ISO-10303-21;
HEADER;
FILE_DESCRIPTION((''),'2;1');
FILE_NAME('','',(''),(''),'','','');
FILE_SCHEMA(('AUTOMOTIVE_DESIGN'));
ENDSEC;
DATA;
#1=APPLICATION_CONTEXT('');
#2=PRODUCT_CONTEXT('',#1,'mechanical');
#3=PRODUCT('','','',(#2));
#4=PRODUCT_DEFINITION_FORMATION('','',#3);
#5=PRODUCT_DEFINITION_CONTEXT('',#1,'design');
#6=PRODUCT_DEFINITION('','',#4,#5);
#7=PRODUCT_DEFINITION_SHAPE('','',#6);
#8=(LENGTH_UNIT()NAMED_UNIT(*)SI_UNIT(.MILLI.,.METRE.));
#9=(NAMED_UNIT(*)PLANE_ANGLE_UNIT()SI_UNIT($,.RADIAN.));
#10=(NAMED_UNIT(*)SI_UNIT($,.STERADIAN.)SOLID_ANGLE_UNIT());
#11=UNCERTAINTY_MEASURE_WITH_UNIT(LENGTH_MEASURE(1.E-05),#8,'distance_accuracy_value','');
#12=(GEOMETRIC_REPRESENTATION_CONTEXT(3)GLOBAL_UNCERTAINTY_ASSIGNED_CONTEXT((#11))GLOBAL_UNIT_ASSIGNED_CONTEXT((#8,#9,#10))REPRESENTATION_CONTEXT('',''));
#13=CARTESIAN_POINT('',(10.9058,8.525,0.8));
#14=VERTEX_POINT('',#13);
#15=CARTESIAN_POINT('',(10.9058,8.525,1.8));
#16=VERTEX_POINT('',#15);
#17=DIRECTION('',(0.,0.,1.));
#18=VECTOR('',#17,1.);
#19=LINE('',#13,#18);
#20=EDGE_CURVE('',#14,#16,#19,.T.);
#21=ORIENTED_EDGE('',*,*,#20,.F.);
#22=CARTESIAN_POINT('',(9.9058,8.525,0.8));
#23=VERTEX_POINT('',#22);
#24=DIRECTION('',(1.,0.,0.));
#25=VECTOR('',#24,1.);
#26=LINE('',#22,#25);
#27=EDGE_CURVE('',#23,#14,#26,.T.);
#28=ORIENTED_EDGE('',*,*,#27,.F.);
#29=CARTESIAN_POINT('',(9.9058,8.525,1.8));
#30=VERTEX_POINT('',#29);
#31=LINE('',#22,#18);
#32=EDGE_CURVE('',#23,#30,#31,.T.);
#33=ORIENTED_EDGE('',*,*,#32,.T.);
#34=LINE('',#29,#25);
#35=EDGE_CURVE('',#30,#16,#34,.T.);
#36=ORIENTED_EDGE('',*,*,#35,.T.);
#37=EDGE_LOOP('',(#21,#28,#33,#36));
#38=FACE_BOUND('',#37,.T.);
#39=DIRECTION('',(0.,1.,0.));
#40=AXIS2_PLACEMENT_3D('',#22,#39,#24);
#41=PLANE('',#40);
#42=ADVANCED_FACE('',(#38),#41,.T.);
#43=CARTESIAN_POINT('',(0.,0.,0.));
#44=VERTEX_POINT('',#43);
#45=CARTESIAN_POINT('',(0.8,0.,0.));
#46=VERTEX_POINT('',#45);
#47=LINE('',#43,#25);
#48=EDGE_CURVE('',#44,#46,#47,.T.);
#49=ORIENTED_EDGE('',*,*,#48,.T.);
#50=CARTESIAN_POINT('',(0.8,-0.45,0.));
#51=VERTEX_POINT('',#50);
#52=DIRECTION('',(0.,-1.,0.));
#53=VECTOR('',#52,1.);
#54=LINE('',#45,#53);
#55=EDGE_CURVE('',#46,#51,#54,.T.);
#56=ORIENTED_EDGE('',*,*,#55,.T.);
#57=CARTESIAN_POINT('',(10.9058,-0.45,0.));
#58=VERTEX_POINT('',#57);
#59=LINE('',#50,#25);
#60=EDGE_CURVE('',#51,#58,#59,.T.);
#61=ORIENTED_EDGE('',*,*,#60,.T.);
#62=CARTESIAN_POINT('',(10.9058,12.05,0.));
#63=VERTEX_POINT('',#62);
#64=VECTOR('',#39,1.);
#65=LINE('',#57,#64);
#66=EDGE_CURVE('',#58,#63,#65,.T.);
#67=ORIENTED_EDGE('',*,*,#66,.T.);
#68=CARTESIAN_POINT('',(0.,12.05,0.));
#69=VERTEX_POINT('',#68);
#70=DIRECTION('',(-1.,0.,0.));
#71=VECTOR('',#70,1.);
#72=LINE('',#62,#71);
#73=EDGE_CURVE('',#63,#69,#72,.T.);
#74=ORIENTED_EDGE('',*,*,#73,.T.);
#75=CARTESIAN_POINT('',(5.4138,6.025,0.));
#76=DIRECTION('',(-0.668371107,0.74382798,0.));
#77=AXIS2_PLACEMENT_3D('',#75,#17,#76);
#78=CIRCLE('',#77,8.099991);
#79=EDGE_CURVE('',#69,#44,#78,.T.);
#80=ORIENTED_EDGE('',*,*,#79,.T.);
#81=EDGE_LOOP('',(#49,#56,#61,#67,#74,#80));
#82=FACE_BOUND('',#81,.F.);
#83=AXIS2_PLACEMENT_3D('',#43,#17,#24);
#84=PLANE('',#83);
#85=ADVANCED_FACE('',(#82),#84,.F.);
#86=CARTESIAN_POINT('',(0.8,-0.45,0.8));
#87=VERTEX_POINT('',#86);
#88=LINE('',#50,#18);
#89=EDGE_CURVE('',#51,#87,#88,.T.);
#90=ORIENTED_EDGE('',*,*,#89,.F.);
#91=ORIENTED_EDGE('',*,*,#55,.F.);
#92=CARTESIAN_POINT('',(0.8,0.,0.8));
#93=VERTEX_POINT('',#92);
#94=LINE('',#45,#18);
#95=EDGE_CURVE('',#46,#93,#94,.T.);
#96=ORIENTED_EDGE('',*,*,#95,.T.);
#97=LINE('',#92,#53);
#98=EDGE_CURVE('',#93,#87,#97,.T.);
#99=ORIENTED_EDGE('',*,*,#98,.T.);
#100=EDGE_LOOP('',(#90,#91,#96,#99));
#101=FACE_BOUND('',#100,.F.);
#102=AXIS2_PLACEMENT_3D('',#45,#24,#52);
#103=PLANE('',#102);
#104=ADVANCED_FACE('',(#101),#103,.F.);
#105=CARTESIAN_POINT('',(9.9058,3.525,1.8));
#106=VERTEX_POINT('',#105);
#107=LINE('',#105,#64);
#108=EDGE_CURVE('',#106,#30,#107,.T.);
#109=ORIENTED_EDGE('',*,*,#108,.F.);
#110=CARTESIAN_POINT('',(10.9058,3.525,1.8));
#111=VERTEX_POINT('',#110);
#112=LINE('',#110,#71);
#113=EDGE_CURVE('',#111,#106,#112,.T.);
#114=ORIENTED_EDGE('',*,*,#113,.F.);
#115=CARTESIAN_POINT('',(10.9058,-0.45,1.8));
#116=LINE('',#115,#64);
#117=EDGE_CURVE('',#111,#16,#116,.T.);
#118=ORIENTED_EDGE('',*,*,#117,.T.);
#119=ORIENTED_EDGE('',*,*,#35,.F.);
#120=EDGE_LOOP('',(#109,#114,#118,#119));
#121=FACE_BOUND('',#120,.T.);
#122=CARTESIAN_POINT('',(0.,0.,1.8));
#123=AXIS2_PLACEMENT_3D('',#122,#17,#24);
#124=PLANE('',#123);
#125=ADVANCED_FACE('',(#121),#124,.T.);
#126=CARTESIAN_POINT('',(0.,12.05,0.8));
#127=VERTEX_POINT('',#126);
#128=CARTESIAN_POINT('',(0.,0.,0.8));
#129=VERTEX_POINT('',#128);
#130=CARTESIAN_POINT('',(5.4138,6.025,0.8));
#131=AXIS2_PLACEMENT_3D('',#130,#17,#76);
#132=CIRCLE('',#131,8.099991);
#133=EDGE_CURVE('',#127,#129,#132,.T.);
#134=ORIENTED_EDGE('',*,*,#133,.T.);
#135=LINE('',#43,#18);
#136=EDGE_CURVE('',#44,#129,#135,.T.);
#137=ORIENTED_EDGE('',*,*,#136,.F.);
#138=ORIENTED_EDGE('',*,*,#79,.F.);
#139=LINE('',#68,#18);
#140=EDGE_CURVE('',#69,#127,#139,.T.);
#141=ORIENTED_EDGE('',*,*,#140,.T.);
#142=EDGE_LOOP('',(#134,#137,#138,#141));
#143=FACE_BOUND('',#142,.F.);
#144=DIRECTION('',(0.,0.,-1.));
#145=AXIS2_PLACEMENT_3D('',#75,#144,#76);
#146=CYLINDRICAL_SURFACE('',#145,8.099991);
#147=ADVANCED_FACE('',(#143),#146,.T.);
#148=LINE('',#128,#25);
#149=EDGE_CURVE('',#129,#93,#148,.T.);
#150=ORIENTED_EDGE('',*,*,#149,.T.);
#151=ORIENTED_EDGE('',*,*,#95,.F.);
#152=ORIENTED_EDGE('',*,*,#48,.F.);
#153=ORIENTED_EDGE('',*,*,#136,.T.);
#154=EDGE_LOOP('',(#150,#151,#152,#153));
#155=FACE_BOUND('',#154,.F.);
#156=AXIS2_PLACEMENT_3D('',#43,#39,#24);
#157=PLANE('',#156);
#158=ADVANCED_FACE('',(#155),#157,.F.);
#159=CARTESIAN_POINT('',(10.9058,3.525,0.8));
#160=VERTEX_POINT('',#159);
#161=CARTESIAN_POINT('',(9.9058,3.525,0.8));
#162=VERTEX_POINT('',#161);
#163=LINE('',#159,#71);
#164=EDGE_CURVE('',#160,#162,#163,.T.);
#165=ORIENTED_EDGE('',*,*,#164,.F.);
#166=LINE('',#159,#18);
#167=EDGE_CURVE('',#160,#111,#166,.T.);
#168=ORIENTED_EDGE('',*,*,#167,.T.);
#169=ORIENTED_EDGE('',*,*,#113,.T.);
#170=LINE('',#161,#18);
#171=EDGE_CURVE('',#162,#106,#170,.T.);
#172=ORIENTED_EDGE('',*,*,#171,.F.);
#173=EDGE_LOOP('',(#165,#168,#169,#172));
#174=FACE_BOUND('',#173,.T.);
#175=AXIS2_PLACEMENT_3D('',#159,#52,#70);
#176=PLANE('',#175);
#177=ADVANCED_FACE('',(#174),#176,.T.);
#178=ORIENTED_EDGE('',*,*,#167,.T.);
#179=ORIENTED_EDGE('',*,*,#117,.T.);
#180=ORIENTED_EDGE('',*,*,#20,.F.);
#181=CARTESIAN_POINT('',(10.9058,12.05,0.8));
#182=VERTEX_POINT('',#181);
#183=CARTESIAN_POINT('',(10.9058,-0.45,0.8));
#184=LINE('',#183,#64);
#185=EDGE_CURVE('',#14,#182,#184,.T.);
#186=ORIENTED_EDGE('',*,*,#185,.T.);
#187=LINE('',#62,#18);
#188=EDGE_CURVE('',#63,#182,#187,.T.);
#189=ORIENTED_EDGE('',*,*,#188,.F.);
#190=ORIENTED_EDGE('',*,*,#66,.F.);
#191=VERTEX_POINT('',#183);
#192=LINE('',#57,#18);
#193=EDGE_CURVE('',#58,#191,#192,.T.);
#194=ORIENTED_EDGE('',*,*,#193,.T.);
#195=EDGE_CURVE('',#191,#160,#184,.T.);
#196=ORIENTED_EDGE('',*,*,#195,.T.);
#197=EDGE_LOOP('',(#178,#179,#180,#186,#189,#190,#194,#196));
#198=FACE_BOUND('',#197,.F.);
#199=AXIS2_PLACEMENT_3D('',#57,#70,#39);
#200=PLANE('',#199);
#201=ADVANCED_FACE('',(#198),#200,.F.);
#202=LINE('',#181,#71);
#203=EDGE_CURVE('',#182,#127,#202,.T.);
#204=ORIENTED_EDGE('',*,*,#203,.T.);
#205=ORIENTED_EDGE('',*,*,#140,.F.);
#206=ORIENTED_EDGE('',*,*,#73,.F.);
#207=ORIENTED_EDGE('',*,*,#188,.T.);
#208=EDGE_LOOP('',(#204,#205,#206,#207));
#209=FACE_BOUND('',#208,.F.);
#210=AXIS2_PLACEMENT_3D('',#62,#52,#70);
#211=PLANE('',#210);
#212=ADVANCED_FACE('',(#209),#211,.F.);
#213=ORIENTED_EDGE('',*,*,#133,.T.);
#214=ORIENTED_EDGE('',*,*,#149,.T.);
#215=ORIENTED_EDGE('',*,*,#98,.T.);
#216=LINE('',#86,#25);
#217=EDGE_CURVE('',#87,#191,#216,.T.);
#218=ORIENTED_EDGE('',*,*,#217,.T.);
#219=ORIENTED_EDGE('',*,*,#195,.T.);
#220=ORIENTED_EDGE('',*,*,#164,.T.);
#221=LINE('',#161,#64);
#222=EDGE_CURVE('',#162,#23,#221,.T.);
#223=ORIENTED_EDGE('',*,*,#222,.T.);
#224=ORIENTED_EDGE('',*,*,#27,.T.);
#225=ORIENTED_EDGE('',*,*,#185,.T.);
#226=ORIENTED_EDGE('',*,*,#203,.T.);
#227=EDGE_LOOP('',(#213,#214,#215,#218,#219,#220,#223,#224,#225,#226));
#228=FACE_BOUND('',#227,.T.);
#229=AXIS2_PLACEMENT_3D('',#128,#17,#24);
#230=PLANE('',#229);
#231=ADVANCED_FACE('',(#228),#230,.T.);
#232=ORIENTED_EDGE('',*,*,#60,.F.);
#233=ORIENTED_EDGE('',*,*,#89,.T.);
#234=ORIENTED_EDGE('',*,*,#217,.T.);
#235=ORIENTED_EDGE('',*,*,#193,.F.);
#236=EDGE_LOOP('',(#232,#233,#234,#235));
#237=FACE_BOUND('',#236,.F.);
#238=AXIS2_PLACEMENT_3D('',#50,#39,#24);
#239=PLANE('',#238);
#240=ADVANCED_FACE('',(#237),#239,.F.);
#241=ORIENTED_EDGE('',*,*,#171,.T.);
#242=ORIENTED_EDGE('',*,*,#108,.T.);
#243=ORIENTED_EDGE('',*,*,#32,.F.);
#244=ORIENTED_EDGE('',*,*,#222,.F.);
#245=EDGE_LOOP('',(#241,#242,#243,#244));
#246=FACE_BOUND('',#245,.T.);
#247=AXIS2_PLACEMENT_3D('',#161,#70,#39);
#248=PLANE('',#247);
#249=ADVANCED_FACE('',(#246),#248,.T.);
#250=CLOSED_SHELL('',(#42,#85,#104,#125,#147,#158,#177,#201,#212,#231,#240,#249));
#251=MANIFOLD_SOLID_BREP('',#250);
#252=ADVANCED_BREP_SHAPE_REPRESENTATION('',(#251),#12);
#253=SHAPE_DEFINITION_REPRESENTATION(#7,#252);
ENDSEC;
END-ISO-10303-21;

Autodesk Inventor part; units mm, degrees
ref_plane "YZ Plane" through (0, 0, 0) normal (1, 0, 0) x (0, 1, 0)
ref_plane "XZ Plane" through (0, 0, 0) normal (0, 1, 0) x (-1, 0, 0)
ref_plane "XY Plane" through (0, 0, 0) normal (0, 0, 1) x (1, 0, 0)
sketch "스케치1" plane through (0, 0, 0) normal (0, 0, 1) x (1, 0, 0)
  line L0 (10.9058, 12.05) -> (0, 12.05)
  arc A0 (0, 12.05) -> (0, 0) centre (5.4138, 6.025) ccw
  line L1 (0, 0) -> (0.8, 0)
  line L2 (0.8, 0) -> (0.8, -0.45)
  line L3 (0.8, -0.45) -> (10.9058, -0.45)
  line L4 (10.9058, -0.45) -> (10.9058, 12.05)
  dimension "d0" = 8.1
  dimension "d1" = 12.5
  dimension "d2" = 5.492
  dimension "d3" = 0.45
  dimension "d4" = 0.8
extrude "돌출1" add sketch "스케치1" along normal blind 0.8
sketch "스케치2" plane through (0, 0, 0.8) normal (0, 0, 1) x (1, 0, 0)
  line L0 (10.9058, -0.45) -> (10.9058, 12.05) projected
  arc A0 (0, 12.05) -> (0, 0) centre (5.4138, 6.025) ccw projected
  line L1 (9.9058, 8.525) -> (10.9058, 8.525)
  line L2 (10.9058, 8.525) -> (10.9058, 3.525)
  line L3 (10.9058, 3.525) -> (9.9058, 3.525)
  line L4 (9.9058, 3.525) -> (9.9058, 8.525)
  point P0 (9.9058, 6.025)
  dimension "d7" = 1
  dimension "d8" = 5
extrude "돌출2" add sketch "스케치2" along normal blind 1
properties part number "_3D 인쇄"
